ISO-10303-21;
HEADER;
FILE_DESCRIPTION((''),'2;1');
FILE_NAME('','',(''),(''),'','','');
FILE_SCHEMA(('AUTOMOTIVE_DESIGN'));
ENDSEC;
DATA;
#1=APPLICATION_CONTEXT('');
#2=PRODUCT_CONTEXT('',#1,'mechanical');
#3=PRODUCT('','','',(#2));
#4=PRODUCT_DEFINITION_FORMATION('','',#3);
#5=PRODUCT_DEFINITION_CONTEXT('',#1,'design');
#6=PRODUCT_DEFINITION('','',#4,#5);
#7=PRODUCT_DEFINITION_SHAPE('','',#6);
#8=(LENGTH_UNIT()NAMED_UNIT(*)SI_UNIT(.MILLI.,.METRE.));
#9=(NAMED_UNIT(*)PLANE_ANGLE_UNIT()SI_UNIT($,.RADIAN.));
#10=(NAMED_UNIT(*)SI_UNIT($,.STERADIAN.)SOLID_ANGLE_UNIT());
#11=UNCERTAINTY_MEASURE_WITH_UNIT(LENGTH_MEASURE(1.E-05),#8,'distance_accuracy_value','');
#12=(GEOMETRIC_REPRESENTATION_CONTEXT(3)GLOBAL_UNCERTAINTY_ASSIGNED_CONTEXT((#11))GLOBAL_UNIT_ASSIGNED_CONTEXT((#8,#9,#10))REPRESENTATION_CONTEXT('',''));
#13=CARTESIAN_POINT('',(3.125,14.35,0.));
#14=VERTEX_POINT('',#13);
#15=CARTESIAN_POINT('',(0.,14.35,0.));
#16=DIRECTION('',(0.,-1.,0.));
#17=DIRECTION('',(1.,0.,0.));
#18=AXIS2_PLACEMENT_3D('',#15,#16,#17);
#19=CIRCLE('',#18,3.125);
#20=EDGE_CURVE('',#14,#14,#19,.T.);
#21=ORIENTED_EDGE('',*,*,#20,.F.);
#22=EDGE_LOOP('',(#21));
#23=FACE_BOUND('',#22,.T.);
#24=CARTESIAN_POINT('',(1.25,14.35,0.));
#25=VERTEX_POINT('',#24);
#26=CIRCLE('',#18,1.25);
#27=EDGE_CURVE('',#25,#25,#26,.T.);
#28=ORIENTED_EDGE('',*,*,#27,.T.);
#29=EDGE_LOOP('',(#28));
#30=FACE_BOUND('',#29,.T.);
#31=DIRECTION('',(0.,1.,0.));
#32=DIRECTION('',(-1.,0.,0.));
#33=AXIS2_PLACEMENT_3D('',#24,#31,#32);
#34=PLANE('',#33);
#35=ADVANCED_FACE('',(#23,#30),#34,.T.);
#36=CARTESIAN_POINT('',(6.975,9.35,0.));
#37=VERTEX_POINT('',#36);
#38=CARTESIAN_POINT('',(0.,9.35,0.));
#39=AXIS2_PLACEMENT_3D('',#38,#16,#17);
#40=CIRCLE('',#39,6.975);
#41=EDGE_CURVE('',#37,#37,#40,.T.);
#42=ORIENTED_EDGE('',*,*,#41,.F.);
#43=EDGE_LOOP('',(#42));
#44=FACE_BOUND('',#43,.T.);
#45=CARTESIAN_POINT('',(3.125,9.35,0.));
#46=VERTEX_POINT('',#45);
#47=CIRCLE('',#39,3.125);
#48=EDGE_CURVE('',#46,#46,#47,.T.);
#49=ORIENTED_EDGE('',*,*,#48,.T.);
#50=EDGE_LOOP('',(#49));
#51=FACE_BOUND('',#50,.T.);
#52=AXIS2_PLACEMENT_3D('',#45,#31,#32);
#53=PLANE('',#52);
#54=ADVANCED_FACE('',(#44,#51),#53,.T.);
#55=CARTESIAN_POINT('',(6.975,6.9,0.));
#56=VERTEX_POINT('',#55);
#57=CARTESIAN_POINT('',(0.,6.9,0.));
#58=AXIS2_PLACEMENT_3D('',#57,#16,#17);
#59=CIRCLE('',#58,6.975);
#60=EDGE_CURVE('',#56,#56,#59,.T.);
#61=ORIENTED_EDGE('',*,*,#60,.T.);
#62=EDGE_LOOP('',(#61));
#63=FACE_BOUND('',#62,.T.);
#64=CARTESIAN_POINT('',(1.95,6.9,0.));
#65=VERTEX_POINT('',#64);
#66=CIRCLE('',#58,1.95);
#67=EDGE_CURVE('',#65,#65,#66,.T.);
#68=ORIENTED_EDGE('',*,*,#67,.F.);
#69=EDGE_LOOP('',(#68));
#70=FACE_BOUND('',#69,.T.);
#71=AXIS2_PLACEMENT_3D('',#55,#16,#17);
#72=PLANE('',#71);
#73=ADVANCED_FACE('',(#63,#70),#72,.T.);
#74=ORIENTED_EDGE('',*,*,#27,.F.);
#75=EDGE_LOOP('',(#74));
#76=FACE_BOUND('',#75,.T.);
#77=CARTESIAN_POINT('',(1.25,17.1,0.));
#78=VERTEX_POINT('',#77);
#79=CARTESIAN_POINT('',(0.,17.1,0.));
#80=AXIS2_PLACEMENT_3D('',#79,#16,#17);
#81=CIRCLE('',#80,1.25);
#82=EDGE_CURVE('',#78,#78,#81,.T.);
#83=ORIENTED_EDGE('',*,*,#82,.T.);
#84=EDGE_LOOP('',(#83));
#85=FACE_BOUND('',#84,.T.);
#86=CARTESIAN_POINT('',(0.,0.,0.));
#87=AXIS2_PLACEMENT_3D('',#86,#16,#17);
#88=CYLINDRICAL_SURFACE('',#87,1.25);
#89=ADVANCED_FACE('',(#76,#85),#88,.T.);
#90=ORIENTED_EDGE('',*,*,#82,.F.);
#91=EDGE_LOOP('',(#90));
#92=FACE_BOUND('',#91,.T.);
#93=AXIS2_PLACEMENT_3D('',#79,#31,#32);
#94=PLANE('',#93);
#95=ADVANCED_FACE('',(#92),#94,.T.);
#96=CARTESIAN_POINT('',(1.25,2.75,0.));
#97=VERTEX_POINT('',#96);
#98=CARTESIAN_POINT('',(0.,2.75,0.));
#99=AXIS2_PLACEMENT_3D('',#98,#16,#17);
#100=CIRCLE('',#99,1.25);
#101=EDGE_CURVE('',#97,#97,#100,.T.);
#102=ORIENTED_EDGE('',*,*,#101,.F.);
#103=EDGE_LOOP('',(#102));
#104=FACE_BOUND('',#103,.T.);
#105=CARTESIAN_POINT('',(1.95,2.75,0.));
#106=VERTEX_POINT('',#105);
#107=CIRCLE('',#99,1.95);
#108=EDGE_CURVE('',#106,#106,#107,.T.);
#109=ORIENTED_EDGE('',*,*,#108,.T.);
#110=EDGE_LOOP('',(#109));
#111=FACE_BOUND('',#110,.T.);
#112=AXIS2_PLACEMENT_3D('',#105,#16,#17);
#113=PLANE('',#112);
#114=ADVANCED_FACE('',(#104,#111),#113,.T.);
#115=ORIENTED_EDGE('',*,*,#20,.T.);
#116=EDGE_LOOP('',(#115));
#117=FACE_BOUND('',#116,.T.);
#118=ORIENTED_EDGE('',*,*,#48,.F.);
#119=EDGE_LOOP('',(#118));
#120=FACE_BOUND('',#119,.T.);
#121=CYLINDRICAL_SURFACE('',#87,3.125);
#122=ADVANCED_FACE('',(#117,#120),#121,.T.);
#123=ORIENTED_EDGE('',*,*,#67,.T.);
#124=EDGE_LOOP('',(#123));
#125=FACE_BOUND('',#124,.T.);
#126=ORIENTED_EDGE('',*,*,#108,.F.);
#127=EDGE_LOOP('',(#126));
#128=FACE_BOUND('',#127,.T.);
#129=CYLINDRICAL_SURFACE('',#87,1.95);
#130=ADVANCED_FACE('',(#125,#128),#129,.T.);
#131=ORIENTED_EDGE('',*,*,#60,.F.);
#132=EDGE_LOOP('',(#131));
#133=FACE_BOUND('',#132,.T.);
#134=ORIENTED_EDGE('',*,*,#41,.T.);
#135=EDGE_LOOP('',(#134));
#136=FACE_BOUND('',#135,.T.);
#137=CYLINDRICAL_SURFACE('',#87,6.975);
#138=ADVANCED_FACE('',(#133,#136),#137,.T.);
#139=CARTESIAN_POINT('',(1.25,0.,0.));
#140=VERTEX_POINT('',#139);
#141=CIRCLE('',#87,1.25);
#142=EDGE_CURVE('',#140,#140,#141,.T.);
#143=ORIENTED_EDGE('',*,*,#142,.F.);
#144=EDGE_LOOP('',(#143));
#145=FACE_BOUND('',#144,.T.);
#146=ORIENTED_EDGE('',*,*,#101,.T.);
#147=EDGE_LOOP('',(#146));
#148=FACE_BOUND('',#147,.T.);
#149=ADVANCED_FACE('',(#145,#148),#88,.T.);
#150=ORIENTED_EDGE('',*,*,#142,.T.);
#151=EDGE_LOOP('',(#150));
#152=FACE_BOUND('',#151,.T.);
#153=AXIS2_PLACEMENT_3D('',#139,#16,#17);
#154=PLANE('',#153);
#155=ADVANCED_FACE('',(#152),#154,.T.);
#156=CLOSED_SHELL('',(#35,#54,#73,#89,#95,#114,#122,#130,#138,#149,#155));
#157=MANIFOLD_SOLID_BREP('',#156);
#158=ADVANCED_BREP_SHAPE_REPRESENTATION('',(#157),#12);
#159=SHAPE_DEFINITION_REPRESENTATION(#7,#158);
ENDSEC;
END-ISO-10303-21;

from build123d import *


with BuildPart() as part:
    # ｽｹｯﾁ1 → 回転1 (revolve)
    with BuildSketch(Plane.XY):
        Polygon((0, 0), (0, 17.1), (1.25, 17.1), (1.25, 14.35), (3.125, 14.35), (3.125, 9.35), (6.975, 9.35), (6.975, 6.9), (1.95, 6.9), (1.95, 2.75), (1.25, 2.75), (1.25, 0), align=None)
    revolve(axis=Axis((0, 0, 0), (0, 1, 0)))


solid = part.part
